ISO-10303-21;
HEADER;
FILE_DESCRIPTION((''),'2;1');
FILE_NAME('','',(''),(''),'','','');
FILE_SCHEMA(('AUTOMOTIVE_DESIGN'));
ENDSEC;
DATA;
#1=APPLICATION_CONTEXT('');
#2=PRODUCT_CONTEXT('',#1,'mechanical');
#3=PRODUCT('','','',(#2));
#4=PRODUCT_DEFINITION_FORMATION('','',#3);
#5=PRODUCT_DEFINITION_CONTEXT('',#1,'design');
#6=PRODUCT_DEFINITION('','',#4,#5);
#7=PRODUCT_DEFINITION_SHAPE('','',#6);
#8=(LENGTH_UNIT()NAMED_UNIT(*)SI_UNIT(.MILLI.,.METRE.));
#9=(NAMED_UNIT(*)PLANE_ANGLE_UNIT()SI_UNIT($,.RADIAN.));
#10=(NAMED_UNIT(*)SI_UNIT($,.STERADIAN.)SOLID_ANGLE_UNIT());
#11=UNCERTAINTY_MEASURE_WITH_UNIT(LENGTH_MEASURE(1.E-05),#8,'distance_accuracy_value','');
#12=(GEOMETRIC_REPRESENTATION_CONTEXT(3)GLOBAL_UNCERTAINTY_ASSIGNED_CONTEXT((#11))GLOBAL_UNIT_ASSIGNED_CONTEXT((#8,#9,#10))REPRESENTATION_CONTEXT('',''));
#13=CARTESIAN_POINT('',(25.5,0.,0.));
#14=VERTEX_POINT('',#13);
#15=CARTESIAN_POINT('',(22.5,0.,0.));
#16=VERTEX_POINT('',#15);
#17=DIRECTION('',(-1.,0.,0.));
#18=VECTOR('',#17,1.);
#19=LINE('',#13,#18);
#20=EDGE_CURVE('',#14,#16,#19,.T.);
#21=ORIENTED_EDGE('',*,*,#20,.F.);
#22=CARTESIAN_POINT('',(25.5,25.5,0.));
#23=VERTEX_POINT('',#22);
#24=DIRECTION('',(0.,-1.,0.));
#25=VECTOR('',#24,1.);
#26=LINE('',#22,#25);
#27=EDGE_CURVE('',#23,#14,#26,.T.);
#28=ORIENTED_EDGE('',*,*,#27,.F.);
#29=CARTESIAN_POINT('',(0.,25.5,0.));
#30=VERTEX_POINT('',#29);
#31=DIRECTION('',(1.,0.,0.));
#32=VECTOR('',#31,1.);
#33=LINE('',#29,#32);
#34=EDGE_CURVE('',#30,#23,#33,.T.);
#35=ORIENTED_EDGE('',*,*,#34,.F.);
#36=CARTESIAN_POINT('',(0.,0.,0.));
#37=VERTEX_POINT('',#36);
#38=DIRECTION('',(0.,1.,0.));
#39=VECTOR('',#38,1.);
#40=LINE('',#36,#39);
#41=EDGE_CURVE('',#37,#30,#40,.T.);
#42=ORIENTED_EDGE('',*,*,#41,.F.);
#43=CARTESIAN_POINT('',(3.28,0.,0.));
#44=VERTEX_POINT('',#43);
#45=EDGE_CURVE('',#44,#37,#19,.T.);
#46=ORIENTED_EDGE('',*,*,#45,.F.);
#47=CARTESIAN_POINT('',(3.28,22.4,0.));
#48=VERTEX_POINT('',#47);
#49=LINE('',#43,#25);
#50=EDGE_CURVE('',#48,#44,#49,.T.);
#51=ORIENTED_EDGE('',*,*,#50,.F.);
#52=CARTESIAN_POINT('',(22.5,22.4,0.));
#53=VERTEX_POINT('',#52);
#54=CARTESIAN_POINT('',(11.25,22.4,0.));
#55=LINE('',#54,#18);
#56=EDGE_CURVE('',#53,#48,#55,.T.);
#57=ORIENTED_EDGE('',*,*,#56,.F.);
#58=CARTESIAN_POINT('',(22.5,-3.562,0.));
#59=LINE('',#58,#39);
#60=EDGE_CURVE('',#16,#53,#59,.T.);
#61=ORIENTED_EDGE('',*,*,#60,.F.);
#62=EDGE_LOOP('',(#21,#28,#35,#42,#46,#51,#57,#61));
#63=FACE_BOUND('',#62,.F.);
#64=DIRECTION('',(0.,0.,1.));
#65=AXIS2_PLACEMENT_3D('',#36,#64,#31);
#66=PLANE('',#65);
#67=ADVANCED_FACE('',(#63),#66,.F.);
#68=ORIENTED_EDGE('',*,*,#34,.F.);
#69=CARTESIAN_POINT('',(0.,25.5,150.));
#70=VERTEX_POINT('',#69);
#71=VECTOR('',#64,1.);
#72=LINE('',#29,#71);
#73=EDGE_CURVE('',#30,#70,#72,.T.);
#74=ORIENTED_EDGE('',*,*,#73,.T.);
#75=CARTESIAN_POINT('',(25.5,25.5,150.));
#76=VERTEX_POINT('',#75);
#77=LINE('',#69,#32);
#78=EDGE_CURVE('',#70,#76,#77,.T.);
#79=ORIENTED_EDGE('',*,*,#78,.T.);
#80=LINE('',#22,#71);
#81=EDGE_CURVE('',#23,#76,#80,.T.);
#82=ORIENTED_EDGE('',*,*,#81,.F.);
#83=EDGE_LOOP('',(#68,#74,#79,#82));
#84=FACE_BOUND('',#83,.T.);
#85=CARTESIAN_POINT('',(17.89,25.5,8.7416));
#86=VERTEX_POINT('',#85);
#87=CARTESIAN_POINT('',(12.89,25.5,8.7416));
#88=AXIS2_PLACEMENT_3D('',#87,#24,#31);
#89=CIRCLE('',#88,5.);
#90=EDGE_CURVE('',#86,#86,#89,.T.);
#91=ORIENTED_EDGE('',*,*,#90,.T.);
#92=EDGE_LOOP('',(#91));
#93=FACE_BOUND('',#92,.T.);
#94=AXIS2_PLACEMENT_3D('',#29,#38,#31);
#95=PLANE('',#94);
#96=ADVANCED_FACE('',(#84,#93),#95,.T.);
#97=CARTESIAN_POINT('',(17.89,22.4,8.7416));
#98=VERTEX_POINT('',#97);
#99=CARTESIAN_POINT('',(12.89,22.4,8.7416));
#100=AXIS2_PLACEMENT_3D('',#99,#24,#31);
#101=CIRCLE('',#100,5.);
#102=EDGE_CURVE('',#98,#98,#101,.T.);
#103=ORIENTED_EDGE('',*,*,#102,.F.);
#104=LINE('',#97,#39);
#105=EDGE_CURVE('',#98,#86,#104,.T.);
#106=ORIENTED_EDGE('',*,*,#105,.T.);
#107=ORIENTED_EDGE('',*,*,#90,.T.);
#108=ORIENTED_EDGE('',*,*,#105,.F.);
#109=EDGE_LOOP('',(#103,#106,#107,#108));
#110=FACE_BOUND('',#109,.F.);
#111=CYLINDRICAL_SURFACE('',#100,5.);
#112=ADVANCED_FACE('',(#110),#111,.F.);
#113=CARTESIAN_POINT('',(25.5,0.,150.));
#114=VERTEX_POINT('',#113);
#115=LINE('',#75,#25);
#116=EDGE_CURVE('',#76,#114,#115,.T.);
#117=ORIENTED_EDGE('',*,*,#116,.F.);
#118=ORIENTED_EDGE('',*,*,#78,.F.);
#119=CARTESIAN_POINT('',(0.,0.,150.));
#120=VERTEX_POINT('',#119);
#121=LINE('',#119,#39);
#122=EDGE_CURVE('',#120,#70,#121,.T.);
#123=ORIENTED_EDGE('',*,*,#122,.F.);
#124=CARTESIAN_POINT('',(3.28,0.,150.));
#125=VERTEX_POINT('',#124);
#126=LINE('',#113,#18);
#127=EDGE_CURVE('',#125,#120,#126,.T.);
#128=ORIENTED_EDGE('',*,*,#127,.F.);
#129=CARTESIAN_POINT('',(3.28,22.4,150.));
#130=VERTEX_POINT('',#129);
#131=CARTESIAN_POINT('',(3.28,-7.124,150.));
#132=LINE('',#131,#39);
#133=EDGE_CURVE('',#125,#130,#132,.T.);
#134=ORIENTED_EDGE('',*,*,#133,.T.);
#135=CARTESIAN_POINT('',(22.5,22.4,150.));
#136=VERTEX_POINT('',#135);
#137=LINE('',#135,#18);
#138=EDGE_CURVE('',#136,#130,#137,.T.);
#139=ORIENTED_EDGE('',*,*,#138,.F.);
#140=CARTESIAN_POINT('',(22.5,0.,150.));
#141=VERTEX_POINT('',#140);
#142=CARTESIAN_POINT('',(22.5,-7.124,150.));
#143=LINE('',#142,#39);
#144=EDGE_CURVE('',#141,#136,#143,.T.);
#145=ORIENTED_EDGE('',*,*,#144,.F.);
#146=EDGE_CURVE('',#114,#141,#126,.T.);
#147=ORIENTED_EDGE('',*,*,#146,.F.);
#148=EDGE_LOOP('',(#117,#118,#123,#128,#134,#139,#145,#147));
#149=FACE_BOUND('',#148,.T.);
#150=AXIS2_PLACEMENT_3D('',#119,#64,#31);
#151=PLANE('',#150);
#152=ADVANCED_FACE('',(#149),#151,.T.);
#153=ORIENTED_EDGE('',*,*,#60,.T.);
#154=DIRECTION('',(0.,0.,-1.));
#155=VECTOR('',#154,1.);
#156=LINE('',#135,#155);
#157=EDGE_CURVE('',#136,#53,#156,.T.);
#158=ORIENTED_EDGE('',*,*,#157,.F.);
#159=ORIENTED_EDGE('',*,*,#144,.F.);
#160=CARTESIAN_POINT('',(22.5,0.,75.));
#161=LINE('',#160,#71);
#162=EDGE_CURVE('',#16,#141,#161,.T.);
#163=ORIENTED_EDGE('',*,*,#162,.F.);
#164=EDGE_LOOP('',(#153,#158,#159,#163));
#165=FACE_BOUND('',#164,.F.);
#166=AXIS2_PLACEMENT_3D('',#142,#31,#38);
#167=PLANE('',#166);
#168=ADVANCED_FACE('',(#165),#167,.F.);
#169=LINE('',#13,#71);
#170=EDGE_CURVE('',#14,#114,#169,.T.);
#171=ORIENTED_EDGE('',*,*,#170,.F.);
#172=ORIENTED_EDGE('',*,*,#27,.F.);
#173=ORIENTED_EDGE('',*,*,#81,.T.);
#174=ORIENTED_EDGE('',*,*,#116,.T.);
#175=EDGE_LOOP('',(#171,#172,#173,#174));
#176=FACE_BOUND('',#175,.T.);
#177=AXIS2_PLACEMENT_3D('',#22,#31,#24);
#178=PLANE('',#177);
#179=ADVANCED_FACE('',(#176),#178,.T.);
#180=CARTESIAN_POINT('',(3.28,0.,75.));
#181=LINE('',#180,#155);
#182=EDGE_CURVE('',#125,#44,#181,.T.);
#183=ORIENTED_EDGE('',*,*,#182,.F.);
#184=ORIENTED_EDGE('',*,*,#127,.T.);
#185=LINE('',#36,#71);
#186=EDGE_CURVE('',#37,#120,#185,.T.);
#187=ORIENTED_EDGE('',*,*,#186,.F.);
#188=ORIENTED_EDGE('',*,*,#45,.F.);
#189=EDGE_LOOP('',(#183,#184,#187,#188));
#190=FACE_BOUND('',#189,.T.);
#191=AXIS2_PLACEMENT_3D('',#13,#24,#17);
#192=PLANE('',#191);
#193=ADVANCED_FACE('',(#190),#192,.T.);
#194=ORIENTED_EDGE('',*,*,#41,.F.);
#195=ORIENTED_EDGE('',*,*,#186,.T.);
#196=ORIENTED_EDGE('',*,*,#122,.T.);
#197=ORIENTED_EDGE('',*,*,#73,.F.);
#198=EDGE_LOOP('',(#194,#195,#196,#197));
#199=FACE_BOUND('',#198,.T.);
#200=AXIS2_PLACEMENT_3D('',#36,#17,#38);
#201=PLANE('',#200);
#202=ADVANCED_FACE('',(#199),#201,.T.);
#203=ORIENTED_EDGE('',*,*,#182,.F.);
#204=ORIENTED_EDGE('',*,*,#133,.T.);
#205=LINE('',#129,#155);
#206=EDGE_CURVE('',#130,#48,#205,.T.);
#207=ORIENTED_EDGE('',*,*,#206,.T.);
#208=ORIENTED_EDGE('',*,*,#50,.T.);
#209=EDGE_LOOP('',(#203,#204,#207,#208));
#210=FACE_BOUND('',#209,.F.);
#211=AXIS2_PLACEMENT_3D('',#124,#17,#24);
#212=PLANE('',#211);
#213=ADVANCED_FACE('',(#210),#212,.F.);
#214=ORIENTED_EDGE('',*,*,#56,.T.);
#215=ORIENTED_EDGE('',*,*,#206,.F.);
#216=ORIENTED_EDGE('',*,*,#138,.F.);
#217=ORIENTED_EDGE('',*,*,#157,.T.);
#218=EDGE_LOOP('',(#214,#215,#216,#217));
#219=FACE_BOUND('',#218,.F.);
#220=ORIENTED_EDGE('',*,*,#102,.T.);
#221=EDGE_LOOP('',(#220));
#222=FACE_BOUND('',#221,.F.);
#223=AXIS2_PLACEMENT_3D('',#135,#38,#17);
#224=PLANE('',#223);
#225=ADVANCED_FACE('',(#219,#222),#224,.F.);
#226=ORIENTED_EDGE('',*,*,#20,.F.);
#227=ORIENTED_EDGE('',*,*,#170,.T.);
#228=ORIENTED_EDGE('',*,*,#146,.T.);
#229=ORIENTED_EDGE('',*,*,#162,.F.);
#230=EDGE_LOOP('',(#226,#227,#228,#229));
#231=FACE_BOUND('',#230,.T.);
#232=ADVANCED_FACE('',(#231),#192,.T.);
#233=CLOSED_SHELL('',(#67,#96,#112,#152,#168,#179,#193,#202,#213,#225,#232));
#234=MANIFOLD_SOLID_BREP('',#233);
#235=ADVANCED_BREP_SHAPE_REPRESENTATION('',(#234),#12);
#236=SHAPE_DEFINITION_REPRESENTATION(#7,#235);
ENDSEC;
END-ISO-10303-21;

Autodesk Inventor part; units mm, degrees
ref_plane "YZ Plane" through (0, 0, 0) normal (1, 0, 0) x (0, 1, 0)
ref_plane "XZ Plane" through (0, 0, 0) normal (0, 1, 0) x (-1, 0, 0)
ref_plane "XY Plane" through (0, 0, 0) normal (0, 0, 1) x (1, 0, 0)
sketch "草圖1" plane through (0, 0, 0) normal (0, 0, 1) x (1, 0, 0)
  line L0 (0, 0) -> (0, 25.5)
  line L1 (0, 25.5) -> (25.5, 25.5)
  line L2 (25.5, 25.5) -> (25.5, 0)
  line L3 (25.5, 0) -> (0, 0)
  dimension "d0" = 25.5
  dimension "d1" = 25.5
extrude "擠出1" add sketch "草圖1" along normal blind 150
sketch "草圖2" plane through (0, 0, 150) normal (0, 0, 1) x (1, 0, 0)
  line L0 (3.28, -7.124) -> (22.5, -7.124)
  line L1 (22.5, -7.124) -> (22.5, 22.4)
  line L2 (22.5, 22.4) -> (3.28, 22.4)
  line L3 (3.28, 22.4) -> (3.28, -7.124)
  line L4 (0, 0) -> (25.5, 0) projected
  dimension "d4" = 19.22
  dimension "d5" = 22.4
  dimension "d6" = 3
extrude "擠出2" cut sketch "草圖2" against normal through all
sketch "草圖3" plane through (3.28, 22.4, 150) normal (0, -1, 0) x (1, 0, 0)
  circle A0 centre (9.61, -141.2584) radius 5
  point P0 (-3.28, -150)
  dimension "d9" = 10
extrude "擠出3" cut sketch "草圖3" against normal blind 150
properties part number "ㄇ形件" material "鋁合金 6061"
